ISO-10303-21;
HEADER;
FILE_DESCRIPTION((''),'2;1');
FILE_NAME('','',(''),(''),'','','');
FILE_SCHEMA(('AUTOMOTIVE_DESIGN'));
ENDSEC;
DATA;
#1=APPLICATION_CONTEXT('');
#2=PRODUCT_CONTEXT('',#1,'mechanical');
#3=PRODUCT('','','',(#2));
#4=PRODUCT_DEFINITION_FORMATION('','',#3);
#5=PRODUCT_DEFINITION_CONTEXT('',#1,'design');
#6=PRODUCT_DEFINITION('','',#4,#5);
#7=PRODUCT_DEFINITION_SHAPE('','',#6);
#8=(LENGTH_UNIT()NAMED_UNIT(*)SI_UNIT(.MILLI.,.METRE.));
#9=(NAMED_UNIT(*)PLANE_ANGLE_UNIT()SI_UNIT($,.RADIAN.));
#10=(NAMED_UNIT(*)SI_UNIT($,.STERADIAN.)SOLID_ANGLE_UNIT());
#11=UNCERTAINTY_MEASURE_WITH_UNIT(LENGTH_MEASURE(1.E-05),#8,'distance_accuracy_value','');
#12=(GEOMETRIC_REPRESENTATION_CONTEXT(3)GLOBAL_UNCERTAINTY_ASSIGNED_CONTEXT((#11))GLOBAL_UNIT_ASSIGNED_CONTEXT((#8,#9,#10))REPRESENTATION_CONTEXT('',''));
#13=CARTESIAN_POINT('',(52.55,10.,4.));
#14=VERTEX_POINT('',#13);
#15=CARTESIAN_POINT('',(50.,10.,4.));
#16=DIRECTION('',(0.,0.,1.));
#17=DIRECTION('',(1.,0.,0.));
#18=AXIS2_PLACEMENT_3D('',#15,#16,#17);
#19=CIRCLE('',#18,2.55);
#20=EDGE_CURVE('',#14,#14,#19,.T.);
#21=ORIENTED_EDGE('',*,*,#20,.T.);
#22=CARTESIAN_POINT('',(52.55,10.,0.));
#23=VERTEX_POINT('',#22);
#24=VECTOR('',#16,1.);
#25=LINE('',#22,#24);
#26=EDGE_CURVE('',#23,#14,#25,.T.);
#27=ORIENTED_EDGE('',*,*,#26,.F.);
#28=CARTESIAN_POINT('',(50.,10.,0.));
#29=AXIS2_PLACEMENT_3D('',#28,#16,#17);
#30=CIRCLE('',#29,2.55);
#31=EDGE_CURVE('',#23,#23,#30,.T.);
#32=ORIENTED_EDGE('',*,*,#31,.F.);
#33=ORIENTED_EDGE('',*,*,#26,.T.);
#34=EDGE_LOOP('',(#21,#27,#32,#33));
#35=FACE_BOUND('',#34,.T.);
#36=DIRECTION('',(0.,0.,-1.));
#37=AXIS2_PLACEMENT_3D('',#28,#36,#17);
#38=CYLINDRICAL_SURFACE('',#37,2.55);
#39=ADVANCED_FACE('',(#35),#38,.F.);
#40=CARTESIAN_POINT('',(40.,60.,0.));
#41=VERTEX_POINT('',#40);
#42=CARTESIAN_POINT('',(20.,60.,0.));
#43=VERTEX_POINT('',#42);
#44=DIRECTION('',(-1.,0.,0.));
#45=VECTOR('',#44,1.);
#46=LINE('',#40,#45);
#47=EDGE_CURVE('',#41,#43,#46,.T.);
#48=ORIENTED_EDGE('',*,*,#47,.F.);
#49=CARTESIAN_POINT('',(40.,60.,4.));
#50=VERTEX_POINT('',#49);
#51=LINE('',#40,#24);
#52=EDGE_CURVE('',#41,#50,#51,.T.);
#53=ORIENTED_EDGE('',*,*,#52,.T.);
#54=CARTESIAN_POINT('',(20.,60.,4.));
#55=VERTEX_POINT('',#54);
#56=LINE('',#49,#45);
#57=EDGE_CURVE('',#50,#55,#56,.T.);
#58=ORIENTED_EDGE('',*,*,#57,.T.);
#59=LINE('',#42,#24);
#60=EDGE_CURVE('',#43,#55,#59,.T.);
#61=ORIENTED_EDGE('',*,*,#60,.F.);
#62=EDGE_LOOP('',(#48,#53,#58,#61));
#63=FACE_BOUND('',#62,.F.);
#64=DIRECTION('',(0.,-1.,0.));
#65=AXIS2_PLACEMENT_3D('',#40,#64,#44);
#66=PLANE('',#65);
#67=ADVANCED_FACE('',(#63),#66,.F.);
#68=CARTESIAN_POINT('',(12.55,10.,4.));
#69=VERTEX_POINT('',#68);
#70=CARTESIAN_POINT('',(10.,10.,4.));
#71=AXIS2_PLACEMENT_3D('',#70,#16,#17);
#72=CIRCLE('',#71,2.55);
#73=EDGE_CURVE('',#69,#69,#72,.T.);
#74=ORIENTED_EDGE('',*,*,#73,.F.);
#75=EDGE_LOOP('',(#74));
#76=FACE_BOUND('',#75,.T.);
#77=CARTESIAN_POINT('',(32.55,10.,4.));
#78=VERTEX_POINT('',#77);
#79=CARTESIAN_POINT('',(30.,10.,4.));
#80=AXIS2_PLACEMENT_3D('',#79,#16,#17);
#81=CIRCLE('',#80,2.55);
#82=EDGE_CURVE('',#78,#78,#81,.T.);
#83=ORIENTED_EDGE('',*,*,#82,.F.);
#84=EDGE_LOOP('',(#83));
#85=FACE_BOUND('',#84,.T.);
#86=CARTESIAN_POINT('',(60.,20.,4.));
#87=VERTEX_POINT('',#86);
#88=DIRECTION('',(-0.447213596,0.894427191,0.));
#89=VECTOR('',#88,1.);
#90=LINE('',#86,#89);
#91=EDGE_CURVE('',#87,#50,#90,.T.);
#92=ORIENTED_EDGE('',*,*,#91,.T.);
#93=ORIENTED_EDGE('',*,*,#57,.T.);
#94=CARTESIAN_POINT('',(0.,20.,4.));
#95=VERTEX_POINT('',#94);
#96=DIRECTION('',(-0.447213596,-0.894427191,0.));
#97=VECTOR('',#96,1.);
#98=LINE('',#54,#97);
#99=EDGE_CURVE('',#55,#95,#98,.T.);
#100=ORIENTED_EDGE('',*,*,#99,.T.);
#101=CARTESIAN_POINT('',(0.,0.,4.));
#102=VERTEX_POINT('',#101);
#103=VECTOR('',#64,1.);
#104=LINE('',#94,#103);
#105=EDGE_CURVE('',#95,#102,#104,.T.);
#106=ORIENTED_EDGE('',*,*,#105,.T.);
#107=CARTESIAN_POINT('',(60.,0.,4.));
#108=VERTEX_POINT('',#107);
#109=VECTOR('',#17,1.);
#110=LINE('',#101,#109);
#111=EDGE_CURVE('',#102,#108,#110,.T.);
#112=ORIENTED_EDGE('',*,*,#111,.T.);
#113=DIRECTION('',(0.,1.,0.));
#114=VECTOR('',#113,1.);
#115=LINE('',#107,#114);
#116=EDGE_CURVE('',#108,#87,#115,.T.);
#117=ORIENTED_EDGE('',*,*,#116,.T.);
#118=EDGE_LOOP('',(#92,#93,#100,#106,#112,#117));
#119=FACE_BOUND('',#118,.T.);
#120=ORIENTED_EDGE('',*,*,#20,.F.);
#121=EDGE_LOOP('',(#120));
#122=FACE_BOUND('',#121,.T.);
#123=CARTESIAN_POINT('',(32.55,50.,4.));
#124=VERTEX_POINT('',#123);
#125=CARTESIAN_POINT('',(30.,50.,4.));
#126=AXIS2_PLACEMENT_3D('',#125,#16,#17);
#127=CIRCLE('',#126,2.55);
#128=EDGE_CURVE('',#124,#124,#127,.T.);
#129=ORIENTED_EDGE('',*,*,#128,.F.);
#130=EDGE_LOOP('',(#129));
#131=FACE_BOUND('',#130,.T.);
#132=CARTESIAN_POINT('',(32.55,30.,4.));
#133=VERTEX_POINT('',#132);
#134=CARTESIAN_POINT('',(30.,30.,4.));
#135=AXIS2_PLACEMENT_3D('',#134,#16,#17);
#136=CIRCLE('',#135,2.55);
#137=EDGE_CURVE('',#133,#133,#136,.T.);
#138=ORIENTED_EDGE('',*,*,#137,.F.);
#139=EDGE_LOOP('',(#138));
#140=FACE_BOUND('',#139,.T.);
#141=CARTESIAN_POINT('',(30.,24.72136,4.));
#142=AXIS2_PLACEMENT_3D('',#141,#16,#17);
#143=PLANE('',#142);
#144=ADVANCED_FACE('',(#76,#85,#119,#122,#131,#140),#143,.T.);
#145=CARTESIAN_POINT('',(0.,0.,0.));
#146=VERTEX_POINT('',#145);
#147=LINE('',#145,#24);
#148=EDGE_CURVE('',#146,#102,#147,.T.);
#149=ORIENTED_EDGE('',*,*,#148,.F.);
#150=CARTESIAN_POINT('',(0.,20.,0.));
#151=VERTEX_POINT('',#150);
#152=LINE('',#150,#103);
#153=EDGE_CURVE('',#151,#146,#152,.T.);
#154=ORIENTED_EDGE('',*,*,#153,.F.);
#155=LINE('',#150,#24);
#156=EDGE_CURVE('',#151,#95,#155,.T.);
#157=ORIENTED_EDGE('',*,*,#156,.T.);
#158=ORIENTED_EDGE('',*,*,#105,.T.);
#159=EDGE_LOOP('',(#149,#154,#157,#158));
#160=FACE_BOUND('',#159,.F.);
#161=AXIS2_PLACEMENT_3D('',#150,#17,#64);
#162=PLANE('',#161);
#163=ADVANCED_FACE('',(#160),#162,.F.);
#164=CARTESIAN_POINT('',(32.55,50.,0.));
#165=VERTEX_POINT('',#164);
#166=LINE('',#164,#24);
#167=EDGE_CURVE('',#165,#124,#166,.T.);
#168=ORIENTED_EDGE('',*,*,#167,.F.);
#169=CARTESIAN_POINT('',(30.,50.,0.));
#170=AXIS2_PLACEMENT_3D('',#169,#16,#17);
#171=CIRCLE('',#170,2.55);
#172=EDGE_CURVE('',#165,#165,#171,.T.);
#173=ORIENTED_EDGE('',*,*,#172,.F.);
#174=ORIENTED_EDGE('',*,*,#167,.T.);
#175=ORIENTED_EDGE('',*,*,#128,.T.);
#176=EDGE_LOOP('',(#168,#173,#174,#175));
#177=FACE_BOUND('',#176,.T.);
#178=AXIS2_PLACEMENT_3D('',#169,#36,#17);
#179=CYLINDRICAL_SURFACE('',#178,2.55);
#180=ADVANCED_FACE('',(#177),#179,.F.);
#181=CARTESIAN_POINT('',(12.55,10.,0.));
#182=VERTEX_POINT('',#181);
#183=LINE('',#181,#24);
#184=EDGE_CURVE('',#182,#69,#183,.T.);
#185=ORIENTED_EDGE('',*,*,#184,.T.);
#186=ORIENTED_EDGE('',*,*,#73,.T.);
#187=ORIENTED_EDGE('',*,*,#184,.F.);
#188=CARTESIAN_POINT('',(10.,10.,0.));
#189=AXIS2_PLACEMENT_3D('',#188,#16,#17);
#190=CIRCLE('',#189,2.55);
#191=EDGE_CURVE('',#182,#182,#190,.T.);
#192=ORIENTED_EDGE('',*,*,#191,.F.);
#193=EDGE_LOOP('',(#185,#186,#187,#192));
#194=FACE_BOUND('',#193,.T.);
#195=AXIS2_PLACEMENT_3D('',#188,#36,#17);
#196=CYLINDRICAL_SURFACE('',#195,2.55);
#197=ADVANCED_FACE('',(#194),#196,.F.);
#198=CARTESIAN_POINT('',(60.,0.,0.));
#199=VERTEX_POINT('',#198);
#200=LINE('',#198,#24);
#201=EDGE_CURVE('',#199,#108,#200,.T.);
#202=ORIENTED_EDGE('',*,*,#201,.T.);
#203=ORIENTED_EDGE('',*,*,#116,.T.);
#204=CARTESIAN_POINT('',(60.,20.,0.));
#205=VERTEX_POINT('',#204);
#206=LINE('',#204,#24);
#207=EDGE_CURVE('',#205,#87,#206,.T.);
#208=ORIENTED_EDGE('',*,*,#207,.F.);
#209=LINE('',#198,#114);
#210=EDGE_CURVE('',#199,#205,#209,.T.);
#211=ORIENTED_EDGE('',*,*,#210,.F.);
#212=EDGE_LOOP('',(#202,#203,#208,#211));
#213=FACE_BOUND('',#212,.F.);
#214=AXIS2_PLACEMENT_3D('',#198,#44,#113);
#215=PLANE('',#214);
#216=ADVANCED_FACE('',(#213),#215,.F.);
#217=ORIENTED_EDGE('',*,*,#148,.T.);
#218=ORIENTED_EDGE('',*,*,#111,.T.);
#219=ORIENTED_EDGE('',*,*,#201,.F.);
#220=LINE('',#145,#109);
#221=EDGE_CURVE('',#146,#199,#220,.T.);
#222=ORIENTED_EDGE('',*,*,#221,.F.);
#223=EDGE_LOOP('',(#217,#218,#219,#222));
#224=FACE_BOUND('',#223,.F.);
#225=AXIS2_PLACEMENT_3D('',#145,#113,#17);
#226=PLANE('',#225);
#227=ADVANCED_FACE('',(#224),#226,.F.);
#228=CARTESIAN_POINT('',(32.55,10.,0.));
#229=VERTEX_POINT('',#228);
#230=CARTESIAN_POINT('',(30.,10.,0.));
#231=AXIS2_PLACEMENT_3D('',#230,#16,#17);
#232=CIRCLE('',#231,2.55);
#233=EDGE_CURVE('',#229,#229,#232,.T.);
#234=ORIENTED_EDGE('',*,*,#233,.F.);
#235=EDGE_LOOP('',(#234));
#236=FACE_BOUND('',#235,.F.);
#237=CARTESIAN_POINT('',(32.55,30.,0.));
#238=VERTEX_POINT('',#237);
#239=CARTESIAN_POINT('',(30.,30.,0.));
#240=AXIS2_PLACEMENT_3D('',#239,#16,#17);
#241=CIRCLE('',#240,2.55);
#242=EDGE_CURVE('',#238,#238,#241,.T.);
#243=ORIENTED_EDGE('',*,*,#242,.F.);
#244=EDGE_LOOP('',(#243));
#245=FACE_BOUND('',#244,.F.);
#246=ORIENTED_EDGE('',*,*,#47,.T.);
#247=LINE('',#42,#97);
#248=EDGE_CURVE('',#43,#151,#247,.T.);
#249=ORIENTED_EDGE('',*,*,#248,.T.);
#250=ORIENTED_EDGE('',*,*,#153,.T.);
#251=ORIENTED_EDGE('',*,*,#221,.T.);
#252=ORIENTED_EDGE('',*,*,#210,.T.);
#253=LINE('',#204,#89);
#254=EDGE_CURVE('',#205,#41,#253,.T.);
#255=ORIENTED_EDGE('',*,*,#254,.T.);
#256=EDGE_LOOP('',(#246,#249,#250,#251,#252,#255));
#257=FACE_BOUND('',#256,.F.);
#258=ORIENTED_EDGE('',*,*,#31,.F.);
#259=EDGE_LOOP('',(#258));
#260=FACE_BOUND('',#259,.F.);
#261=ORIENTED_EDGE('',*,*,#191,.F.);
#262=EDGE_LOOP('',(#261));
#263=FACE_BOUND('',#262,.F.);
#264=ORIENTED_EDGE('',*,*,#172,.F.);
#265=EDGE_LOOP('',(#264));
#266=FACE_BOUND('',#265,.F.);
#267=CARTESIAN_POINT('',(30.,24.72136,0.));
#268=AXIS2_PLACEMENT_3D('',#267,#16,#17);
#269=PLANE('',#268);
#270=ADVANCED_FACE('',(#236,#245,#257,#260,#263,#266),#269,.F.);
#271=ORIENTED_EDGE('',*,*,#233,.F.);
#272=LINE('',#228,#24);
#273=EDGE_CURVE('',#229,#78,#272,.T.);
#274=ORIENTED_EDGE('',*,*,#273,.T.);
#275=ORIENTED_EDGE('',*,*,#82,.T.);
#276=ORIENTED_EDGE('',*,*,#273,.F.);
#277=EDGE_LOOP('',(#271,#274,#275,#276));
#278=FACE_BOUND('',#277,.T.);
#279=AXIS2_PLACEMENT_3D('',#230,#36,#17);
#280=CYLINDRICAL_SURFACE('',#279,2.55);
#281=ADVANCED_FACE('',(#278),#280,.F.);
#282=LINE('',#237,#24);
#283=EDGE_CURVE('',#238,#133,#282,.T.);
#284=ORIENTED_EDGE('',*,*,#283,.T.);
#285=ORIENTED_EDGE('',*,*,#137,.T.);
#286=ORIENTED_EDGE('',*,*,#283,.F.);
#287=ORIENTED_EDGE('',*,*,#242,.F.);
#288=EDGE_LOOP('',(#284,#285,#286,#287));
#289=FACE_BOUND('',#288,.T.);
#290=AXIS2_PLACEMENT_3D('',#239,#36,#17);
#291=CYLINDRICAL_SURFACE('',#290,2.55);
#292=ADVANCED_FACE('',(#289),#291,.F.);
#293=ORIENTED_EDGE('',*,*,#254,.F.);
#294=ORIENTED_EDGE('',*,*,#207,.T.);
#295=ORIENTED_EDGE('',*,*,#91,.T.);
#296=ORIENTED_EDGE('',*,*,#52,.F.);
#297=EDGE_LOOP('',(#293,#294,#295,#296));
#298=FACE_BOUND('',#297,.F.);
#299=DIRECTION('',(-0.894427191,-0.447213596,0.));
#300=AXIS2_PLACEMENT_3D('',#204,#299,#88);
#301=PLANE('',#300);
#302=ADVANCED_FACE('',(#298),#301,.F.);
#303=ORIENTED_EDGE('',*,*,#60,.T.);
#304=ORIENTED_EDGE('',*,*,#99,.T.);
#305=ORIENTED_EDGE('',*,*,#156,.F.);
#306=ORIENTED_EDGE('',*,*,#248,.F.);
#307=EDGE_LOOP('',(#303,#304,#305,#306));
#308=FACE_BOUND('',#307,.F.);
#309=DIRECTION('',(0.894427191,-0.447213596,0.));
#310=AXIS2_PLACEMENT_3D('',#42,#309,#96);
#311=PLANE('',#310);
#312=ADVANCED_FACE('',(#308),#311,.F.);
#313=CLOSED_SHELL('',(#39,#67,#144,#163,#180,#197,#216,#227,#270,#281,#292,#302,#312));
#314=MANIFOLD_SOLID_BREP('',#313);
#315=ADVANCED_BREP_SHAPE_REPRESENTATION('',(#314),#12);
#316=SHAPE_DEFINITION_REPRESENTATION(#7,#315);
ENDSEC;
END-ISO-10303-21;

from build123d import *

# Parameters (mm, degrees)
SKETCH_R  = 2.55
PAD_DEPTH = 4


with BuildPart() as part:
    # Sketch → Pad (new body)
    with BuildSketch(Plane.XY):
        Polygon((0, 0), (60, 0), (60, 20), (40, 60), (20, 60), (0, 20), align=None)
        with Locations((30, 10)):
            Circle(SKETCH_R, mode=Mode.SUBTRACT)
        with Locations((10, 10)):
            Circle(SKETCH_R, mode=Mode.SUBTRACT)
        with Locations((50, 10)):
            Circle(SKETCH_R, mode=Mode.SUBTRACT)
        with Locations((30, 30)):
            Circle(SKETCH_R, mode=Mode.SUBTRACT)
        with Locations((30, 50)):
            Circle(SKETCH_R, mode=Mode.SUBTRACT)
    extrude(amount=PAD_DEPTH)


solid = part.part
